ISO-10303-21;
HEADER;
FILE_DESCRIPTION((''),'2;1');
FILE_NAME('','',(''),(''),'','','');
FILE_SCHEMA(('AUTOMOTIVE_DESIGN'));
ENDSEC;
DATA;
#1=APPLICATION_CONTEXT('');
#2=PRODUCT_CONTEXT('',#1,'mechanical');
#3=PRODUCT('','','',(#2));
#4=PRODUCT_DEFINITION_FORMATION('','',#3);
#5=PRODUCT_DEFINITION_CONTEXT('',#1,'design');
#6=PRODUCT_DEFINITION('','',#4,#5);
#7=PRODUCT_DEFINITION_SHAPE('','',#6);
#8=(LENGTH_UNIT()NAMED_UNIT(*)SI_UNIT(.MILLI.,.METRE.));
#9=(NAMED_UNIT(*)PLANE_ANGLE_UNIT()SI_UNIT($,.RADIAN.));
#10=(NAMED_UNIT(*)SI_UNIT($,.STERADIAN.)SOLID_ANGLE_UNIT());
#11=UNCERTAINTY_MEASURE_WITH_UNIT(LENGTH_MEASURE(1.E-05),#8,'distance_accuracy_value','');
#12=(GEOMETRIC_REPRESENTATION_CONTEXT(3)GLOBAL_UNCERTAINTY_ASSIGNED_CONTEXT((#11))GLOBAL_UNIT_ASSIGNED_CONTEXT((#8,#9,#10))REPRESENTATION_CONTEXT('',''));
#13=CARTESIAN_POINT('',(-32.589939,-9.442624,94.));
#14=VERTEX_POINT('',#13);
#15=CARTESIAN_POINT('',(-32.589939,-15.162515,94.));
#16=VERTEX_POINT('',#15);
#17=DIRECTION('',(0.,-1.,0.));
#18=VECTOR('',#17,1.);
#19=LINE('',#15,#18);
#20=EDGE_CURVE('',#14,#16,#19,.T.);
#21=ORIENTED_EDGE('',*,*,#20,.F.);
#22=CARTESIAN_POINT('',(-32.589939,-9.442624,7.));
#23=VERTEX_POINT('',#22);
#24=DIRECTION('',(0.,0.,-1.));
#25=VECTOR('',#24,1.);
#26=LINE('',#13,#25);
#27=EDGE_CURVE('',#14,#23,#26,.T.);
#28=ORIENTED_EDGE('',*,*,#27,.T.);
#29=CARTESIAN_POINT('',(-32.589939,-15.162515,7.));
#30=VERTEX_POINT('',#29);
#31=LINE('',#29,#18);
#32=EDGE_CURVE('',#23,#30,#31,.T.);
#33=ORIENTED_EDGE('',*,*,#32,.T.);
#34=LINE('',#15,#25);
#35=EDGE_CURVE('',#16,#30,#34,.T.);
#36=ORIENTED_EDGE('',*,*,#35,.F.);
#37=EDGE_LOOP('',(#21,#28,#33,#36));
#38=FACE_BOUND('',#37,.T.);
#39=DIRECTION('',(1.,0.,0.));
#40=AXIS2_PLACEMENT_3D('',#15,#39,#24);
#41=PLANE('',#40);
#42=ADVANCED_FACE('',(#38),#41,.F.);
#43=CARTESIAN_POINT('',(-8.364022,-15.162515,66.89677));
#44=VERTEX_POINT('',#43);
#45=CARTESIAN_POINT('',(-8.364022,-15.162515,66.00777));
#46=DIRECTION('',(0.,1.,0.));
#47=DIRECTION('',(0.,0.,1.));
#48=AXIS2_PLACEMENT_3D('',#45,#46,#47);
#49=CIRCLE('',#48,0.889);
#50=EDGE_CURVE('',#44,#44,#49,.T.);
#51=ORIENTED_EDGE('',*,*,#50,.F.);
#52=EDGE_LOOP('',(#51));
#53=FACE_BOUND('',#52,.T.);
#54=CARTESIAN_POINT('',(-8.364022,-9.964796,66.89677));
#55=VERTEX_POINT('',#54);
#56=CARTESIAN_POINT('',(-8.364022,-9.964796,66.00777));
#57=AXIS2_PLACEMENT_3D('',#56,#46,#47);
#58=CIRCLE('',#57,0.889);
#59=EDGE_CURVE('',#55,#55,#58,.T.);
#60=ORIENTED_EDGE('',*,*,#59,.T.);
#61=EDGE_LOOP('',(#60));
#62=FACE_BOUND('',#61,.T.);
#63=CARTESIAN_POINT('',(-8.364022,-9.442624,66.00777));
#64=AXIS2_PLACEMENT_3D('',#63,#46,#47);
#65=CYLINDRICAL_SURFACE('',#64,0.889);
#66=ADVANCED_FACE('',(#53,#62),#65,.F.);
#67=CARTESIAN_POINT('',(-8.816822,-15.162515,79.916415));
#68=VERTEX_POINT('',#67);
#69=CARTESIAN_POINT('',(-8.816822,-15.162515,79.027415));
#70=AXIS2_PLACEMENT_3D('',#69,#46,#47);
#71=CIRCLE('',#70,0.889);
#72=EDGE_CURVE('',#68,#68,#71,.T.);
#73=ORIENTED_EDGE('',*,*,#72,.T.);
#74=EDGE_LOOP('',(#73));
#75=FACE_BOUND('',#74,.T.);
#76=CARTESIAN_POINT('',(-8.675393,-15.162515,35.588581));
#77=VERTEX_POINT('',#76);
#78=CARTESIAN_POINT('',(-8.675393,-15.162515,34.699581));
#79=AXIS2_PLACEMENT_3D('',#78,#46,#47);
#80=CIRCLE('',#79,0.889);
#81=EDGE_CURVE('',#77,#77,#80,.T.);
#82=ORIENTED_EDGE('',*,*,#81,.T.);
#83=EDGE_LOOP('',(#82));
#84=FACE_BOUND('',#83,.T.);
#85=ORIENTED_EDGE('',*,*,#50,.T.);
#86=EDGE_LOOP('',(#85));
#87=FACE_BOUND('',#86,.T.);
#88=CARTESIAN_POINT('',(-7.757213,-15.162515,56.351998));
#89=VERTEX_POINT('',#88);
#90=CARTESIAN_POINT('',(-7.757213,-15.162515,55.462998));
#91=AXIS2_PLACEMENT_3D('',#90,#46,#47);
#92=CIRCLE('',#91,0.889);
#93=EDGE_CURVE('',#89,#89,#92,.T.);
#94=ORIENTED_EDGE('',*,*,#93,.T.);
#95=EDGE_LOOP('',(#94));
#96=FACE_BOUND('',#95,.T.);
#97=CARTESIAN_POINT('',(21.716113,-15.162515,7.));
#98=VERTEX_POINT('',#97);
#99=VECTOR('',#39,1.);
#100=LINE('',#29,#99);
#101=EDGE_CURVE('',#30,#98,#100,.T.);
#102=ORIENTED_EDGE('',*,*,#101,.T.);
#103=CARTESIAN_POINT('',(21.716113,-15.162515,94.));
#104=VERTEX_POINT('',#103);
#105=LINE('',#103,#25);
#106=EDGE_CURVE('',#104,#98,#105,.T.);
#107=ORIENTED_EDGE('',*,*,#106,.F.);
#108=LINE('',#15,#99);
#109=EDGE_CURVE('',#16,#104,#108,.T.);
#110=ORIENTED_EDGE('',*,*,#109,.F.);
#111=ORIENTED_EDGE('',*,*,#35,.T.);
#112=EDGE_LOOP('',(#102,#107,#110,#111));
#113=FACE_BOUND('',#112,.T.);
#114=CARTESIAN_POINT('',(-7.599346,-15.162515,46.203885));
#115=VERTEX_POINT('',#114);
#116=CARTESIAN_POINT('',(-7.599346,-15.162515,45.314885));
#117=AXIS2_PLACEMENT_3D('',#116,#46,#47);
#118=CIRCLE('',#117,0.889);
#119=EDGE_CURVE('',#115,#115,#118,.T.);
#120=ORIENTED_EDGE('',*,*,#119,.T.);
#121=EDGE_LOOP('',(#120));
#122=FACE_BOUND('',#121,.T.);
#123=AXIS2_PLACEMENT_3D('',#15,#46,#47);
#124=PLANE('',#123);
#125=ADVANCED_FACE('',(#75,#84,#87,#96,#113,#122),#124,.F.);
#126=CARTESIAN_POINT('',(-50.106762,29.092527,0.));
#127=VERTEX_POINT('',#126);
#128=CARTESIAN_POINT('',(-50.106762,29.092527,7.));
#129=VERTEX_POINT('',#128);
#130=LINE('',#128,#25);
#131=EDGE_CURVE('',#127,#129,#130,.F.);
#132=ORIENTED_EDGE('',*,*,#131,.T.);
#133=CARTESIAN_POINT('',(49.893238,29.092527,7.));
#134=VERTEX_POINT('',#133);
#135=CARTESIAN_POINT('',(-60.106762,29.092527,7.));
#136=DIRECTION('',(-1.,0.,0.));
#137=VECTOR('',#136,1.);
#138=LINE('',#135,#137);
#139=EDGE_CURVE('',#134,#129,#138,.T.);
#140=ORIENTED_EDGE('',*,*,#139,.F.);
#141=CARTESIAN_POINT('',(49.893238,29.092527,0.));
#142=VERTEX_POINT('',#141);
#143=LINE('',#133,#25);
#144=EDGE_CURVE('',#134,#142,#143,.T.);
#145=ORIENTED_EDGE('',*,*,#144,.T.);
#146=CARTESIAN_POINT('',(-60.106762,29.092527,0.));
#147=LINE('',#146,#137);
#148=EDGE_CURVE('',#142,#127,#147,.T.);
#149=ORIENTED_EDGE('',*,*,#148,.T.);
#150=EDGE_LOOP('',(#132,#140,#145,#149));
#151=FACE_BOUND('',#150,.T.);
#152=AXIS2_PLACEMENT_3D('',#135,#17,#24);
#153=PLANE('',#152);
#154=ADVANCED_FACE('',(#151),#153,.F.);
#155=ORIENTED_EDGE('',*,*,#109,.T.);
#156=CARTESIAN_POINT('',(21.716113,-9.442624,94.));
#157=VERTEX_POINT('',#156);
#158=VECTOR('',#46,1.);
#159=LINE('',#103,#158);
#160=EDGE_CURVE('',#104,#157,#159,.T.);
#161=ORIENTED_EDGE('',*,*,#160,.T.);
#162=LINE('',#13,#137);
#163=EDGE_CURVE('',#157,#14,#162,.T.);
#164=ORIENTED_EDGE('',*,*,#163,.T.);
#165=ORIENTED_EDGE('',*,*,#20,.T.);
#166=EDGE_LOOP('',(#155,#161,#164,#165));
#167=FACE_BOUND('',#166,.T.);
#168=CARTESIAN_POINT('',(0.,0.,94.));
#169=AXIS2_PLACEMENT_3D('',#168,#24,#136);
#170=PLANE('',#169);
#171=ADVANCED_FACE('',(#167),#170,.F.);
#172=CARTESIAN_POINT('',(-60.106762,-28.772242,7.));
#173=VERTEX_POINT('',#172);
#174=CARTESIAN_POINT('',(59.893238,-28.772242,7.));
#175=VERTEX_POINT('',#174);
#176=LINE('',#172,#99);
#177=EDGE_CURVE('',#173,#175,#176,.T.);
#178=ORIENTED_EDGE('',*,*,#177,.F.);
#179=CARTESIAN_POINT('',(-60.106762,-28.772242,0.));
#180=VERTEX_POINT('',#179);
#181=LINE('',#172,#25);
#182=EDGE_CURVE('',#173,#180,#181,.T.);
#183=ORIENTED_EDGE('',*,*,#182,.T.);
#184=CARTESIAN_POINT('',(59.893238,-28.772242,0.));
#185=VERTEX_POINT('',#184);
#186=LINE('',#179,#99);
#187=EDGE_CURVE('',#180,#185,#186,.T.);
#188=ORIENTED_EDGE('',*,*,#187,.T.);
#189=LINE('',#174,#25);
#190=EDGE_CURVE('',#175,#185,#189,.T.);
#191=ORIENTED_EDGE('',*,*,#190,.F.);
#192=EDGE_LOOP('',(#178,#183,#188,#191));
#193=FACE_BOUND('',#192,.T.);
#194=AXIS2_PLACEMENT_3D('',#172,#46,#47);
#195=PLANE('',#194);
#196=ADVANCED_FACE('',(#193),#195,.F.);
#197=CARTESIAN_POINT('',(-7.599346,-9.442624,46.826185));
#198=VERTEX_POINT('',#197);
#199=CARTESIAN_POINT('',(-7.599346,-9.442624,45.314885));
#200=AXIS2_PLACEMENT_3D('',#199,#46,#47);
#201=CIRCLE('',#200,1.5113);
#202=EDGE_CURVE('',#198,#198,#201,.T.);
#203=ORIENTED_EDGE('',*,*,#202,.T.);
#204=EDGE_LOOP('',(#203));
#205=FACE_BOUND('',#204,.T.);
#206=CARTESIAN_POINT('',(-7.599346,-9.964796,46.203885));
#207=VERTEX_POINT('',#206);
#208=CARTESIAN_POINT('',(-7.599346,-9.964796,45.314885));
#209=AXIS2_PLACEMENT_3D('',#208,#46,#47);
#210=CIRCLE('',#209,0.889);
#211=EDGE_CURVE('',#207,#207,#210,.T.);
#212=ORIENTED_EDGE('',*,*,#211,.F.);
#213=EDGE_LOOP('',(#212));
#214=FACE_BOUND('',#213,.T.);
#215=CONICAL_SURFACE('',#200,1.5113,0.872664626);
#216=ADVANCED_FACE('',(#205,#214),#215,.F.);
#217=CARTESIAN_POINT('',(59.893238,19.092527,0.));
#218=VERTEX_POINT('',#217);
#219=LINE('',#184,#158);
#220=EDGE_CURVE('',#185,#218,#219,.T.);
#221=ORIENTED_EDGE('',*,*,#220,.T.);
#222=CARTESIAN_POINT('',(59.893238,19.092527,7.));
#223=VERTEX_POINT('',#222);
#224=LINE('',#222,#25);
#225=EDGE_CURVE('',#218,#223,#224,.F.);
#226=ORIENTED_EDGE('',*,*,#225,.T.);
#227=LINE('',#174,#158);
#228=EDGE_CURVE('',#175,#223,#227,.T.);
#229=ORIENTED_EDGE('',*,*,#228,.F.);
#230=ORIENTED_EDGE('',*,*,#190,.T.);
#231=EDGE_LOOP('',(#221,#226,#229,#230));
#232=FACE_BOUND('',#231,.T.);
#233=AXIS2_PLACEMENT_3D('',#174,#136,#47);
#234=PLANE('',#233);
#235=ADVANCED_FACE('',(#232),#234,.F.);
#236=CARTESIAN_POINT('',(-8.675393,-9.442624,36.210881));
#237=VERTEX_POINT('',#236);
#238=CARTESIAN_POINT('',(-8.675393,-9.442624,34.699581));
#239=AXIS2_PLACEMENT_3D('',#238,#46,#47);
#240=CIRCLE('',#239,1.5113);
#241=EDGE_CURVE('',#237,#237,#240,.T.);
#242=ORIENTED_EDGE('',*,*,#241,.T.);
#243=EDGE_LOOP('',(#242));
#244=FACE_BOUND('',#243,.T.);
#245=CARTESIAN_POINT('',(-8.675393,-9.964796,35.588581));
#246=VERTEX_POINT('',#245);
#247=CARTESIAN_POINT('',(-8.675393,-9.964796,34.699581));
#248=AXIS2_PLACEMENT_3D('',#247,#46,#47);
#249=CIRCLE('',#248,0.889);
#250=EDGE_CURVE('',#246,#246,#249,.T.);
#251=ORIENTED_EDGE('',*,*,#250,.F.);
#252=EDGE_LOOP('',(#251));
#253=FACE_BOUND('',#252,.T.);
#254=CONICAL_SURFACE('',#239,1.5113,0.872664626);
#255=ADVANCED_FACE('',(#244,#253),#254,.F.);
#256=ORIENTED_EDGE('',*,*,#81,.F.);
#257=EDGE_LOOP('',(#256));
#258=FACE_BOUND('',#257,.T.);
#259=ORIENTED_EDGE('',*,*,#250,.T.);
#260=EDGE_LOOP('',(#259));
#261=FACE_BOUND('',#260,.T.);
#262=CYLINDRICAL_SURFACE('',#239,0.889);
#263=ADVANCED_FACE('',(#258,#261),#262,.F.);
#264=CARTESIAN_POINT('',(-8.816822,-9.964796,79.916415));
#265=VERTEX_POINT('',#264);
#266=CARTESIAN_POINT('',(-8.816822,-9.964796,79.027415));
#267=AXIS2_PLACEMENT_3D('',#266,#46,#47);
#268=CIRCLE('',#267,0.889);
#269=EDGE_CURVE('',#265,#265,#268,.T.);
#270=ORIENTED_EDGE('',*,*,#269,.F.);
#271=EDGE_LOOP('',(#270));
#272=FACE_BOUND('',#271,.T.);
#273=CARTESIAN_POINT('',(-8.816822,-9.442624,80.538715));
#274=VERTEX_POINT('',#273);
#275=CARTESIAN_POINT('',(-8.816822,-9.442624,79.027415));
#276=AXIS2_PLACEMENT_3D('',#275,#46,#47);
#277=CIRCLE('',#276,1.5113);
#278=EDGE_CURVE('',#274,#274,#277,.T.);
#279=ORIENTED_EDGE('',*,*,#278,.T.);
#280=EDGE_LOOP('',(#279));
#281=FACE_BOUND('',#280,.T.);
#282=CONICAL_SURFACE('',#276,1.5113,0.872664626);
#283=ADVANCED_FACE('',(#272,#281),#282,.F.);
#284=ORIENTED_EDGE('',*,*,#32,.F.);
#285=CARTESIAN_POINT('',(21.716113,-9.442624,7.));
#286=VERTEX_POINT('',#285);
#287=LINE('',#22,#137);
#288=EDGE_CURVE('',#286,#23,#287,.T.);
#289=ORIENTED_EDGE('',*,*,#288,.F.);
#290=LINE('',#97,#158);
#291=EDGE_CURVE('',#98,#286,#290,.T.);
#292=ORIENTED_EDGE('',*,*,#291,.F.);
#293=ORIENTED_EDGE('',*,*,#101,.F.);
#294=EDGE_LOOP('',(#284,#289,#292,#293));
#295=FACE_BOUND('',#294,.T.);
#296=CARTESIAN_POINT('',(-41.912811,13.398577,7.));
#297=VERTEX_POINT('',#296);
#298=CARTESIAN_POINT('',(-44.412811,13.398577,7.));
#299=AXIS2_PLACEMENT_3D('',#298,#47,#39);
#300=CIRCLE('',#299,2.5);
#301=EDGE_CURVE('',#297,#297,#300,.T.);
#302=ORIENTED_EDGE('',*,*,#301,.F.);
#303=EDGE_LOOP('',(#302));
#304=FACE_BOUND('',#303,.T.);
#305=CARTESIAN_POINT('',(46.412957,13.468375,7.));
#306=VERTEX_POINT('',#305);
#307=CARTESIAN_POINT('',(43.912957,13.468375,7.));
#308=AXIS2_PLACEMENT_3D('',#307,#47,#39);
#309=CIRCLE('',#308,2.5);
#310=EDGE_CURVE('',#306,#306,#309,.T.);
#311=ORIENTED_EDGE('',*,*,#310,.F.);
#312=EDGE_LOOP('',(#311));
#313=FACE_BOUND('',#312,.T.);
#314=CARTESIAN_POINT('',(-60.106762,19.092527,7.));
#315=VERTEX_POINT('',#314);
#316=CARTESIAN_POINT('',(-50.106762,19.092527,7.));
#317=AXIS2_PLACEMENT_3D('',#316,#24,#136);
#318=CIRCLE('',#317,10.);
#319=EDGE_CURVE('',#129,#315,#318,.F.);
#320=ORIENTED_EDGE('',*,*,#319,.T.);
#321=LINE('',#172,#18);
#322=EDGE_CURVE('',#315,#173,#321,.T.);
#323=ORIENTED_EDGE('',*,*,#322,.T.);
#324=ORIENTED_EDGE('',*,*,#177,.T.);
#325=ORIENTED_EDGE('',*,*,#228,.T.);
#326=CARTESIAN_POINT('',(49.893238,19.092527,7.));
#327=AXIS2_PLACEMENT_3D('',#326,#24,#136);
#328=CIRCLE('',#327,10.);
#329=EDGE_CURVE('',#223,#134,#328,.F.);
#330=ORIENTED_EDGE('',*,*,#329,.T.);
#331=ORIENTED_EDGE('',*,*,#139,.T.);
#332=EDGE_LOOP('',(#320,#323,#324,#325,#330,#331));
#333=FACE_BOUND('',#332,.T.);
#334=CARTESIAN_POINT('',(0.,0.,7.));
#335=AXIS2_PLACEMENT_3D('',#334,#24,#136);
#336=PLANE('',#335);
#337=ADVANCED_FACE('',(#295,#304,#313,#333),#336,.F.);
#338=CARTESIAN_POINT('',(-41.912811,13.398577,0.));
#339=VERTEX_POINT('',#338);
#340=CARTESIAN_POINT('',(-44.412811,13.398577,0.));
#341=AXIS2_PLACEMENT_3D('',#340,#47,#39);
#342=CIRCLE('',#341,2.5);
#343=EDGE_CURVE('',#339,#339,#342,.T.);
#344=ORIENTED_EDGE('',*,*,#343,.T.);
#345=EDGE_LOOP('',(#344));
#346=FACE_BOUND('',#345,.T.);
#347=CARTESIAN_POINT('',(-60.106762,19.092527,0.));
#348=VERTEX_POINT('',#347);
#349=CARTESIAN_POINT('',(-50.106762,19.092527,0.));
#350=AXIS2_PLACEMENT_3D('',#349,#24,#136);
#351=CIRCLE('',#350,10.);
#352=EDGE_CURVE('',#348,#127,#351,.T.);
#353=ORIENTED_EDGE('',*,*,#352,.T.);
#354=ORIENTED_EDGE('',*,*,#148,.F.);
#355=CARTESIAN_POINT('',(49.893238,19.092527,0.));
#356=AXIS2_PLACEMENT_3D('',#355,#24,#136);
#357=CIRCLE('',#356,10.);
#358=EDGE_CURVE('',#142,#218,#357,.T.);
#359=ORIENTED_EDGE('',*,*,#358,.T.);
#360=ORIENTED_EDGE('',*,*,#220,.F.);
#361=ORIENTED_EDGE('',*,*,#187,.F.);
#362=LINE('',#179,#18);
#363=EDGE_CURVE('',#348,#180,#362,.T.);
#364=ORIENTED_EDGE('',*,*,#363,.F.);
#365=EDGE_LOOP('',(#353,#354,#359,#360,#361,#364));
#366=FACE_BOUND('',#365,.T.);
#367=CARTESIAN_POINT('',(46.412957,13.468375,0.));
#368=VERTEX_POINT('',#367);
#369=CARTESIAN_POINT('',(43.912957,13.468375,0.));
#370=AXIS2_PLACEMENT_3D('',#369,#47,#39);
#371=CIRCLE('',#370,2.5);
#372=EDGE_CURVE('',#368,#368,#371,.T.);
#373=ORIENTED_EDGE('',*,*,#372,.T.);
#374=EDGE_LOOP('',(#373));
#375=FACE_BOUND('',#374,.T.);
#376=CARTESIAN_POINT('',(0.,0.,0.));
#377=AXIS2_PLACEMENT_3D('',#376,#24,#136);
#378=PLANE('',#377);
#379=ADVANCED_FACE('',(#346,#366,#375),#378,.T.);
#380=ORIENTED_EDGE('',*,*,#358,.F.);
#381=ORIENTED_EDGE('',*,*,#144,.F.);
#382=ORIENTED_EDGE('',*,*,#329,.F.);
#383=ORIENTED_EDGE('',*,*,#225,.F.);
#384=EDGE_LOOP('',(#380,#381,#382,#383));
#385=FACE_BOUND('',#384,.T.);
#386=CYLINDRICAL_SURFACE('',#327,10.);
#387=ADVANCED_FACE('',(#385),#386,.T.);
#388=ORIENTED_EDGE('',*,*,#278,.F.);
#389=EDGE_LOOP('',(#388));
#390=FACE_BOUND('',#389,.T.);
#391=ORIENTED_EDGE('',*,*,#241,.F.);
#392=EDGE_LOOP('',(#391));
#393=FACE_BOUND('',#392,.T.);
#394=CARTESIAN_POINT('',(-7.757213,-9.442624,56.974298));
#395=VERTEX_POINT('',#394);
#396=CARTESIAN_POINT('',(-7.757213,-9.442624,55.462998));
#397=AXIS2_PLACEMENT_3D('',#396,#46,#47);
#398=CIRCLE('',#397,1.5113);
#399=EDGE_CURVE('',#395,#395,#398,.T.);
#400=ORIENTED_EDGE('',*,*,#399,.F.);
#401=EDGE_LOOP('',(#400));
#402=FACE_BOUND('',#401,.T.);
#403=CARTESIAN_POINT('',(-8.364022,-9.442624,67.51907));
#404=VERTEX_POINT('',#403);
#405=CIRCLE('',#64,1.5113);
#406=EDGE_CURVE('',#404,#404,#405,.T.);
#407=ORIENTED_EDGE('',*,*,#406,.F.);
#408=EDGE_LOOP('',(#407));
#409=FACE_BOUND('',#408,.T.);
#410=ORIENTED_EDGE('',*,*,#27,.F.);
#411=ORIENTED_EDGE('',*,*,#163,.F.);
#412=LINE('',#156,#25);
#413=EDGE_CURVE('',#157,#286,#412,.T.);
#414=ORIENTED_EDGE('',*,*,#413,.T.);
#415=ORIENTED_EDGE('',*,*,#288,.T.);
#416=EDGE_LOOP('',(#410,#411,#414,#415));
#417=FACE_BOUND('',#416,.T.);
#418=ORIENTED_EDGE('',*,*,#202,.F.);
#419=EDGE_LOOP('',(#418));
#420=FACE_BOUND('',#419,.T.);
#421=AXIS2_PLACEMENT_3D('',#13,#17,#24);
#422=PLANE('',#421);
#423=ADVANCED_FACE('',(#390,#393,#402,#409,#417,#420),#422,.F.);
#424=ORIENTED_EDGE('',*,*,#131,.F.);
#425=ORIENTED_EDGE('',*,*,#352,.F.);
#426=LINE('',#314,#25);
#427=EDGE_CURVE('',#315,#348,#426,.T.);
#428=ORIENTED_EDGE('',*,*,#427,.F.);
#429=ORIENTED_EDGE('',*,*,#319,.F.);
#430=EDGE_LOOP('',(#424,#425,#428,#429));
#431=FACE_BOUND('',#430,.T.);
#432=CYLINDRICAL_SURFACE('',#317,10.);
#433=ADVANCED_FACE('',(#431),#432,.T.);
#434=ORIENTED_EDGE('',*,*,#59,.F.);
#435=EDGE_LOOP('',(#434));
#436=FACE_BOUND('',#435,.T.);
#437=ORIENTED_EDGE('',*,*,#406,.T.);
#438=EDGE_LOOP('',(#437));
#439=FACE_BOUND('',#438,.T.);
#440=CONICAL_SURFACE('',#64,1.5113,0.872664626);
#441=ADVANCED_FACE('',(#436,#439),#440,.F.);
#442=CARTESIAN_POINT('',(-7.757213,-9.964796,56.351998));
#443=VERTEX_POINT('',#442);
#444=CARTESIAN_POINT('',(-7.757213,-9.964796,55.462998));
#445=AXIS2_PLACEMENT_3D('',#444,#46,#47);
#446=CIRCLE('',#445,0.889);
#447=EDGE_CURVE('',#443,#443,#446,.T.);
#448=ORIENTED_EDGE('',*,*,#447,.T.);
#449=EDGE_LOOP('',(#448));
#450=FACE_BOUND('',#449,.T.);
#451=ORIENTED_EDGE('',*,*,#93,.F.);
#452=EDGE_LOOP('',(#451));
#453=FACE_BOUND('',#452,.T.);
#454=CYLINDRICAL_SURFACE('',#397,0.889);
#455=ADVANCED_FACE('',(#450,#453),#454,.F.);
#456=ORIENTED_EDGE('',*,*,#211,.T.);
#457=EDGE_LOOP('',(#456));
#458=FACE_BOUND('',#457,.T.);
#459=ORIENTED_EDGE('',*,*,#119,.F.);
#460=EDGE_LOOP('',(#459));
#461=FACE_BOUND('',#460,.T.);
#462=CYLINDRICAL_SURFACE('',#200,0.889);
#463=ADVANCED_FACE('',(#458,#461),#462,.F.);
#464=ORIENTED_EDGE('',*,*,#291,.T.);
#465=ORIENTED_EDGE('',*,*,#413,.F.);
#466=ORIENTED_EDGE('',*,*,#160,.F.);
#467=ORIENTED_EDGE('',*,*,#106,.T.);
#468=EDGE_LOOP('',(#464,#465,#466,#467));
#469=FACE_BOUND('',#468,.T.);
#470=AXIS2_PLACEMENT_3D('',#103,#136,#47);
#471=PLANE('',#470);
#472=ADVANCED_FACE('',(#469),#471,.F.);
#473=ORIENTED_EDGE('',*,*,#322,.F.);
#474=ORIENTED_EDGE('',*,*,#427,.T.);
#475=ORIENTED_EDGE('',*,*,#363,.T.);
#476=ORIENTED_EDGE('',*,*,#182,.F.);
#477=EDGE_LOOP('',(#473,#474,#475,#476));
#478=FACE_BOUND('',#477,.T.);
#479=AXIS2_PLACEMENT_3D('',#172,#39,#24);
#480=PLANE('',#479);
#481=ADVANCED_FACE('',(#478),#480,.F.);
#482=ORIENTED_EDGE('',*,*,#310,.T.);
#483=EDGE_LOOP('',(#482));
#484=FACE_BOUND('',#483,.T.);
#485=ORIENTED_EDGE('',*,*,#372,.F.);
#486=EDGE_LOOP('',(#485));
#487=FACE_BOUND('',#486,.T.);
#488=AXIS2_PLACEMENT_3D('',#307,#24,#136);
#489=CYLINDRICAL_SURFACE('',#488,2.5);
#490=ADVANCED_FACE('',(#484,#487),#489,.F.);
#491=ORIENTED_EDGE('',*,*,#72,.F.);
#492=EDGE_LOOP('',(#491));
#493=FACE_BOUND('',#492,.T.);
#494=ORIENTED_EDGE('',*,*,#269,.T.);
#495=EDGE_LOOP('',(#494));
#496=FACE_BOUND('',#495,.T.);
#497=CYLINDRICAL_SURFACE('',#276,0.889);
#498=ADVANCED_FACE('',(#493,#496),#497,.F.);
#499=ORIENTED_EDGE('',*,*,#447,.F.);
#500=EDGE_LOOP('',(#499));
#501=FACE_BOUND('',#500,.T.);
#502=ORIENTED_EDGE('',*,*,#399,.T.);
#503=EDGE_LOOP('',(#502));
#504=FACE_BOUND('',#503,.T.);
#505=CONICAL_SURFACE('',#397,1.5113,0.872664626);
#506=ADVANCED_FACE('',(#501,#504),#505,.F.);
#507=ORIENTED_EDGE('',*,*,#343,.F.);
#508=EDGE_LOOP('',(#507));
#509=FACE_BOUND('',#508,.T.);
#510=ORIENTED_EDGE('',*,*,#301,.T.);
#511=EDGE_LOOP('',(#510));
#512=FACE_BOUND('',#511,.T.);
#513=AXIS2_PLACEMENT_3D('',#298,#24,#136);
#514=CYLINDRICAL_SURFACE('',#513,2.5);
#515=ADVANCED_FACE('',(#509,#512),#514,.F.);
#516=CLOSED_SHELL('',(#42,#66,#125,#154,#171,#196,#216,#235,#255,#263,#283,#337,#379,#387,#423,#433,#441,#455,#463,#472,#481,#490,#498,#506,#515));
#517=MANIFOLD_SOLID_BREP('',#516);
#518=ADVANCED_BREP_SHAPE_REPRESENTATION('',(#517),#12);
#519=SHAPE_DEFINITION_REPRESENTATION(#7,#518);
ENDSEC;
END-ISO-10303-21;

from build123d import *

# Parameters (mm, degrees)
SKETCH1_W                                         = 120
SKETCH1_H                                         = 57.864768683
SKETCH1_R                                         = 2.5
BOSS_EXTRUDE1_DEPTH                               = 7
SKETCH2_W                                         = 54.306051878
SKETCH2_H                                         = 5.719890942
BOSS_EXTRUDE2_DEPTH                               = 87
FILLET1_R                                         = 10
CSK_FOR_0_FLAT_HEAD_MACHINE_SCREW_100_D           = 1.778
CSK_FOR_0_FLAT_HEAD_MACHINE_SCREW_100_CSINK_D     = 3.0226
CSK_FOR_0_FLAT_HEAD_MACHINE_SCREW_100_CSINK_ANGLE = 100


with BuildPart() as part:
    # Sketch1 → Boss-Extrude1 (new body)
    with BuildSketch(Plane.XY):
        with Locations((-0.106761566, 0.160142349)):
            Rectangle(SKETCH1_W, SKETCH1_H)
        with Locations((-44.412811388, 13.398576512)):
            Circle(SKETCH1_R, mode=Mode.SUBTRACT)
        with Locations((43.912956959, 13.468374771)):
            Circle(SKETCH1_R, mode=Mode.SUBTRACT)
    extrude(amount=BOSS_EXTRUDE1_DEPTH)

    # Sketch2 → Boss-Extrude2 (add)
    with BuildSketch(Plane.XY.offset(7)):
        with Locations((-5.436912955, -12.302569894)):
            Rectangle(SKETCH2_W, SKETCH2_H)
    extrude(amount=BOSS_EXTRUDE2_DEPTH)

    # Fillet1
    fillet1_edges = [part.edges().sort_by_distance(p)[0] for p in [
        (-60.106761566, 29.09252669, 3.5),
        (59.893238434, 29.09252669, 3.5),
    ]]
    fillet(fillet1_edges, radius=FILLET1_R)

    # CSK for #0 Flat Head Machine Screw (100)1 (through all)
    with Locations(Plane(origin=(0, -9.442624423, 0), x_dir=(1, 0, 0), z_dir=(0, 1, 0))):
        with Locations((-8.675393381, -34.699580631), (-7.599346026, -45.314885455), (-7.757212548, -55.462997779), (-8.364022161, -66.007770116), (-8.816821696, -79.027415228)):
            CounterSinkHole(CSK_FOR_0_FLAT_HEAD_MACHINE_SCREW_100_D / 2, CSK_FOR_0_FLAT_HEAD_MACHINE_SCREW_100_CSINK_D / 2, counter_sink_angle=CSK_FOR_0_FLAT_HEAD_MACHINE_SCREW_100_CSINK_ANGLE)


solid = part.part
